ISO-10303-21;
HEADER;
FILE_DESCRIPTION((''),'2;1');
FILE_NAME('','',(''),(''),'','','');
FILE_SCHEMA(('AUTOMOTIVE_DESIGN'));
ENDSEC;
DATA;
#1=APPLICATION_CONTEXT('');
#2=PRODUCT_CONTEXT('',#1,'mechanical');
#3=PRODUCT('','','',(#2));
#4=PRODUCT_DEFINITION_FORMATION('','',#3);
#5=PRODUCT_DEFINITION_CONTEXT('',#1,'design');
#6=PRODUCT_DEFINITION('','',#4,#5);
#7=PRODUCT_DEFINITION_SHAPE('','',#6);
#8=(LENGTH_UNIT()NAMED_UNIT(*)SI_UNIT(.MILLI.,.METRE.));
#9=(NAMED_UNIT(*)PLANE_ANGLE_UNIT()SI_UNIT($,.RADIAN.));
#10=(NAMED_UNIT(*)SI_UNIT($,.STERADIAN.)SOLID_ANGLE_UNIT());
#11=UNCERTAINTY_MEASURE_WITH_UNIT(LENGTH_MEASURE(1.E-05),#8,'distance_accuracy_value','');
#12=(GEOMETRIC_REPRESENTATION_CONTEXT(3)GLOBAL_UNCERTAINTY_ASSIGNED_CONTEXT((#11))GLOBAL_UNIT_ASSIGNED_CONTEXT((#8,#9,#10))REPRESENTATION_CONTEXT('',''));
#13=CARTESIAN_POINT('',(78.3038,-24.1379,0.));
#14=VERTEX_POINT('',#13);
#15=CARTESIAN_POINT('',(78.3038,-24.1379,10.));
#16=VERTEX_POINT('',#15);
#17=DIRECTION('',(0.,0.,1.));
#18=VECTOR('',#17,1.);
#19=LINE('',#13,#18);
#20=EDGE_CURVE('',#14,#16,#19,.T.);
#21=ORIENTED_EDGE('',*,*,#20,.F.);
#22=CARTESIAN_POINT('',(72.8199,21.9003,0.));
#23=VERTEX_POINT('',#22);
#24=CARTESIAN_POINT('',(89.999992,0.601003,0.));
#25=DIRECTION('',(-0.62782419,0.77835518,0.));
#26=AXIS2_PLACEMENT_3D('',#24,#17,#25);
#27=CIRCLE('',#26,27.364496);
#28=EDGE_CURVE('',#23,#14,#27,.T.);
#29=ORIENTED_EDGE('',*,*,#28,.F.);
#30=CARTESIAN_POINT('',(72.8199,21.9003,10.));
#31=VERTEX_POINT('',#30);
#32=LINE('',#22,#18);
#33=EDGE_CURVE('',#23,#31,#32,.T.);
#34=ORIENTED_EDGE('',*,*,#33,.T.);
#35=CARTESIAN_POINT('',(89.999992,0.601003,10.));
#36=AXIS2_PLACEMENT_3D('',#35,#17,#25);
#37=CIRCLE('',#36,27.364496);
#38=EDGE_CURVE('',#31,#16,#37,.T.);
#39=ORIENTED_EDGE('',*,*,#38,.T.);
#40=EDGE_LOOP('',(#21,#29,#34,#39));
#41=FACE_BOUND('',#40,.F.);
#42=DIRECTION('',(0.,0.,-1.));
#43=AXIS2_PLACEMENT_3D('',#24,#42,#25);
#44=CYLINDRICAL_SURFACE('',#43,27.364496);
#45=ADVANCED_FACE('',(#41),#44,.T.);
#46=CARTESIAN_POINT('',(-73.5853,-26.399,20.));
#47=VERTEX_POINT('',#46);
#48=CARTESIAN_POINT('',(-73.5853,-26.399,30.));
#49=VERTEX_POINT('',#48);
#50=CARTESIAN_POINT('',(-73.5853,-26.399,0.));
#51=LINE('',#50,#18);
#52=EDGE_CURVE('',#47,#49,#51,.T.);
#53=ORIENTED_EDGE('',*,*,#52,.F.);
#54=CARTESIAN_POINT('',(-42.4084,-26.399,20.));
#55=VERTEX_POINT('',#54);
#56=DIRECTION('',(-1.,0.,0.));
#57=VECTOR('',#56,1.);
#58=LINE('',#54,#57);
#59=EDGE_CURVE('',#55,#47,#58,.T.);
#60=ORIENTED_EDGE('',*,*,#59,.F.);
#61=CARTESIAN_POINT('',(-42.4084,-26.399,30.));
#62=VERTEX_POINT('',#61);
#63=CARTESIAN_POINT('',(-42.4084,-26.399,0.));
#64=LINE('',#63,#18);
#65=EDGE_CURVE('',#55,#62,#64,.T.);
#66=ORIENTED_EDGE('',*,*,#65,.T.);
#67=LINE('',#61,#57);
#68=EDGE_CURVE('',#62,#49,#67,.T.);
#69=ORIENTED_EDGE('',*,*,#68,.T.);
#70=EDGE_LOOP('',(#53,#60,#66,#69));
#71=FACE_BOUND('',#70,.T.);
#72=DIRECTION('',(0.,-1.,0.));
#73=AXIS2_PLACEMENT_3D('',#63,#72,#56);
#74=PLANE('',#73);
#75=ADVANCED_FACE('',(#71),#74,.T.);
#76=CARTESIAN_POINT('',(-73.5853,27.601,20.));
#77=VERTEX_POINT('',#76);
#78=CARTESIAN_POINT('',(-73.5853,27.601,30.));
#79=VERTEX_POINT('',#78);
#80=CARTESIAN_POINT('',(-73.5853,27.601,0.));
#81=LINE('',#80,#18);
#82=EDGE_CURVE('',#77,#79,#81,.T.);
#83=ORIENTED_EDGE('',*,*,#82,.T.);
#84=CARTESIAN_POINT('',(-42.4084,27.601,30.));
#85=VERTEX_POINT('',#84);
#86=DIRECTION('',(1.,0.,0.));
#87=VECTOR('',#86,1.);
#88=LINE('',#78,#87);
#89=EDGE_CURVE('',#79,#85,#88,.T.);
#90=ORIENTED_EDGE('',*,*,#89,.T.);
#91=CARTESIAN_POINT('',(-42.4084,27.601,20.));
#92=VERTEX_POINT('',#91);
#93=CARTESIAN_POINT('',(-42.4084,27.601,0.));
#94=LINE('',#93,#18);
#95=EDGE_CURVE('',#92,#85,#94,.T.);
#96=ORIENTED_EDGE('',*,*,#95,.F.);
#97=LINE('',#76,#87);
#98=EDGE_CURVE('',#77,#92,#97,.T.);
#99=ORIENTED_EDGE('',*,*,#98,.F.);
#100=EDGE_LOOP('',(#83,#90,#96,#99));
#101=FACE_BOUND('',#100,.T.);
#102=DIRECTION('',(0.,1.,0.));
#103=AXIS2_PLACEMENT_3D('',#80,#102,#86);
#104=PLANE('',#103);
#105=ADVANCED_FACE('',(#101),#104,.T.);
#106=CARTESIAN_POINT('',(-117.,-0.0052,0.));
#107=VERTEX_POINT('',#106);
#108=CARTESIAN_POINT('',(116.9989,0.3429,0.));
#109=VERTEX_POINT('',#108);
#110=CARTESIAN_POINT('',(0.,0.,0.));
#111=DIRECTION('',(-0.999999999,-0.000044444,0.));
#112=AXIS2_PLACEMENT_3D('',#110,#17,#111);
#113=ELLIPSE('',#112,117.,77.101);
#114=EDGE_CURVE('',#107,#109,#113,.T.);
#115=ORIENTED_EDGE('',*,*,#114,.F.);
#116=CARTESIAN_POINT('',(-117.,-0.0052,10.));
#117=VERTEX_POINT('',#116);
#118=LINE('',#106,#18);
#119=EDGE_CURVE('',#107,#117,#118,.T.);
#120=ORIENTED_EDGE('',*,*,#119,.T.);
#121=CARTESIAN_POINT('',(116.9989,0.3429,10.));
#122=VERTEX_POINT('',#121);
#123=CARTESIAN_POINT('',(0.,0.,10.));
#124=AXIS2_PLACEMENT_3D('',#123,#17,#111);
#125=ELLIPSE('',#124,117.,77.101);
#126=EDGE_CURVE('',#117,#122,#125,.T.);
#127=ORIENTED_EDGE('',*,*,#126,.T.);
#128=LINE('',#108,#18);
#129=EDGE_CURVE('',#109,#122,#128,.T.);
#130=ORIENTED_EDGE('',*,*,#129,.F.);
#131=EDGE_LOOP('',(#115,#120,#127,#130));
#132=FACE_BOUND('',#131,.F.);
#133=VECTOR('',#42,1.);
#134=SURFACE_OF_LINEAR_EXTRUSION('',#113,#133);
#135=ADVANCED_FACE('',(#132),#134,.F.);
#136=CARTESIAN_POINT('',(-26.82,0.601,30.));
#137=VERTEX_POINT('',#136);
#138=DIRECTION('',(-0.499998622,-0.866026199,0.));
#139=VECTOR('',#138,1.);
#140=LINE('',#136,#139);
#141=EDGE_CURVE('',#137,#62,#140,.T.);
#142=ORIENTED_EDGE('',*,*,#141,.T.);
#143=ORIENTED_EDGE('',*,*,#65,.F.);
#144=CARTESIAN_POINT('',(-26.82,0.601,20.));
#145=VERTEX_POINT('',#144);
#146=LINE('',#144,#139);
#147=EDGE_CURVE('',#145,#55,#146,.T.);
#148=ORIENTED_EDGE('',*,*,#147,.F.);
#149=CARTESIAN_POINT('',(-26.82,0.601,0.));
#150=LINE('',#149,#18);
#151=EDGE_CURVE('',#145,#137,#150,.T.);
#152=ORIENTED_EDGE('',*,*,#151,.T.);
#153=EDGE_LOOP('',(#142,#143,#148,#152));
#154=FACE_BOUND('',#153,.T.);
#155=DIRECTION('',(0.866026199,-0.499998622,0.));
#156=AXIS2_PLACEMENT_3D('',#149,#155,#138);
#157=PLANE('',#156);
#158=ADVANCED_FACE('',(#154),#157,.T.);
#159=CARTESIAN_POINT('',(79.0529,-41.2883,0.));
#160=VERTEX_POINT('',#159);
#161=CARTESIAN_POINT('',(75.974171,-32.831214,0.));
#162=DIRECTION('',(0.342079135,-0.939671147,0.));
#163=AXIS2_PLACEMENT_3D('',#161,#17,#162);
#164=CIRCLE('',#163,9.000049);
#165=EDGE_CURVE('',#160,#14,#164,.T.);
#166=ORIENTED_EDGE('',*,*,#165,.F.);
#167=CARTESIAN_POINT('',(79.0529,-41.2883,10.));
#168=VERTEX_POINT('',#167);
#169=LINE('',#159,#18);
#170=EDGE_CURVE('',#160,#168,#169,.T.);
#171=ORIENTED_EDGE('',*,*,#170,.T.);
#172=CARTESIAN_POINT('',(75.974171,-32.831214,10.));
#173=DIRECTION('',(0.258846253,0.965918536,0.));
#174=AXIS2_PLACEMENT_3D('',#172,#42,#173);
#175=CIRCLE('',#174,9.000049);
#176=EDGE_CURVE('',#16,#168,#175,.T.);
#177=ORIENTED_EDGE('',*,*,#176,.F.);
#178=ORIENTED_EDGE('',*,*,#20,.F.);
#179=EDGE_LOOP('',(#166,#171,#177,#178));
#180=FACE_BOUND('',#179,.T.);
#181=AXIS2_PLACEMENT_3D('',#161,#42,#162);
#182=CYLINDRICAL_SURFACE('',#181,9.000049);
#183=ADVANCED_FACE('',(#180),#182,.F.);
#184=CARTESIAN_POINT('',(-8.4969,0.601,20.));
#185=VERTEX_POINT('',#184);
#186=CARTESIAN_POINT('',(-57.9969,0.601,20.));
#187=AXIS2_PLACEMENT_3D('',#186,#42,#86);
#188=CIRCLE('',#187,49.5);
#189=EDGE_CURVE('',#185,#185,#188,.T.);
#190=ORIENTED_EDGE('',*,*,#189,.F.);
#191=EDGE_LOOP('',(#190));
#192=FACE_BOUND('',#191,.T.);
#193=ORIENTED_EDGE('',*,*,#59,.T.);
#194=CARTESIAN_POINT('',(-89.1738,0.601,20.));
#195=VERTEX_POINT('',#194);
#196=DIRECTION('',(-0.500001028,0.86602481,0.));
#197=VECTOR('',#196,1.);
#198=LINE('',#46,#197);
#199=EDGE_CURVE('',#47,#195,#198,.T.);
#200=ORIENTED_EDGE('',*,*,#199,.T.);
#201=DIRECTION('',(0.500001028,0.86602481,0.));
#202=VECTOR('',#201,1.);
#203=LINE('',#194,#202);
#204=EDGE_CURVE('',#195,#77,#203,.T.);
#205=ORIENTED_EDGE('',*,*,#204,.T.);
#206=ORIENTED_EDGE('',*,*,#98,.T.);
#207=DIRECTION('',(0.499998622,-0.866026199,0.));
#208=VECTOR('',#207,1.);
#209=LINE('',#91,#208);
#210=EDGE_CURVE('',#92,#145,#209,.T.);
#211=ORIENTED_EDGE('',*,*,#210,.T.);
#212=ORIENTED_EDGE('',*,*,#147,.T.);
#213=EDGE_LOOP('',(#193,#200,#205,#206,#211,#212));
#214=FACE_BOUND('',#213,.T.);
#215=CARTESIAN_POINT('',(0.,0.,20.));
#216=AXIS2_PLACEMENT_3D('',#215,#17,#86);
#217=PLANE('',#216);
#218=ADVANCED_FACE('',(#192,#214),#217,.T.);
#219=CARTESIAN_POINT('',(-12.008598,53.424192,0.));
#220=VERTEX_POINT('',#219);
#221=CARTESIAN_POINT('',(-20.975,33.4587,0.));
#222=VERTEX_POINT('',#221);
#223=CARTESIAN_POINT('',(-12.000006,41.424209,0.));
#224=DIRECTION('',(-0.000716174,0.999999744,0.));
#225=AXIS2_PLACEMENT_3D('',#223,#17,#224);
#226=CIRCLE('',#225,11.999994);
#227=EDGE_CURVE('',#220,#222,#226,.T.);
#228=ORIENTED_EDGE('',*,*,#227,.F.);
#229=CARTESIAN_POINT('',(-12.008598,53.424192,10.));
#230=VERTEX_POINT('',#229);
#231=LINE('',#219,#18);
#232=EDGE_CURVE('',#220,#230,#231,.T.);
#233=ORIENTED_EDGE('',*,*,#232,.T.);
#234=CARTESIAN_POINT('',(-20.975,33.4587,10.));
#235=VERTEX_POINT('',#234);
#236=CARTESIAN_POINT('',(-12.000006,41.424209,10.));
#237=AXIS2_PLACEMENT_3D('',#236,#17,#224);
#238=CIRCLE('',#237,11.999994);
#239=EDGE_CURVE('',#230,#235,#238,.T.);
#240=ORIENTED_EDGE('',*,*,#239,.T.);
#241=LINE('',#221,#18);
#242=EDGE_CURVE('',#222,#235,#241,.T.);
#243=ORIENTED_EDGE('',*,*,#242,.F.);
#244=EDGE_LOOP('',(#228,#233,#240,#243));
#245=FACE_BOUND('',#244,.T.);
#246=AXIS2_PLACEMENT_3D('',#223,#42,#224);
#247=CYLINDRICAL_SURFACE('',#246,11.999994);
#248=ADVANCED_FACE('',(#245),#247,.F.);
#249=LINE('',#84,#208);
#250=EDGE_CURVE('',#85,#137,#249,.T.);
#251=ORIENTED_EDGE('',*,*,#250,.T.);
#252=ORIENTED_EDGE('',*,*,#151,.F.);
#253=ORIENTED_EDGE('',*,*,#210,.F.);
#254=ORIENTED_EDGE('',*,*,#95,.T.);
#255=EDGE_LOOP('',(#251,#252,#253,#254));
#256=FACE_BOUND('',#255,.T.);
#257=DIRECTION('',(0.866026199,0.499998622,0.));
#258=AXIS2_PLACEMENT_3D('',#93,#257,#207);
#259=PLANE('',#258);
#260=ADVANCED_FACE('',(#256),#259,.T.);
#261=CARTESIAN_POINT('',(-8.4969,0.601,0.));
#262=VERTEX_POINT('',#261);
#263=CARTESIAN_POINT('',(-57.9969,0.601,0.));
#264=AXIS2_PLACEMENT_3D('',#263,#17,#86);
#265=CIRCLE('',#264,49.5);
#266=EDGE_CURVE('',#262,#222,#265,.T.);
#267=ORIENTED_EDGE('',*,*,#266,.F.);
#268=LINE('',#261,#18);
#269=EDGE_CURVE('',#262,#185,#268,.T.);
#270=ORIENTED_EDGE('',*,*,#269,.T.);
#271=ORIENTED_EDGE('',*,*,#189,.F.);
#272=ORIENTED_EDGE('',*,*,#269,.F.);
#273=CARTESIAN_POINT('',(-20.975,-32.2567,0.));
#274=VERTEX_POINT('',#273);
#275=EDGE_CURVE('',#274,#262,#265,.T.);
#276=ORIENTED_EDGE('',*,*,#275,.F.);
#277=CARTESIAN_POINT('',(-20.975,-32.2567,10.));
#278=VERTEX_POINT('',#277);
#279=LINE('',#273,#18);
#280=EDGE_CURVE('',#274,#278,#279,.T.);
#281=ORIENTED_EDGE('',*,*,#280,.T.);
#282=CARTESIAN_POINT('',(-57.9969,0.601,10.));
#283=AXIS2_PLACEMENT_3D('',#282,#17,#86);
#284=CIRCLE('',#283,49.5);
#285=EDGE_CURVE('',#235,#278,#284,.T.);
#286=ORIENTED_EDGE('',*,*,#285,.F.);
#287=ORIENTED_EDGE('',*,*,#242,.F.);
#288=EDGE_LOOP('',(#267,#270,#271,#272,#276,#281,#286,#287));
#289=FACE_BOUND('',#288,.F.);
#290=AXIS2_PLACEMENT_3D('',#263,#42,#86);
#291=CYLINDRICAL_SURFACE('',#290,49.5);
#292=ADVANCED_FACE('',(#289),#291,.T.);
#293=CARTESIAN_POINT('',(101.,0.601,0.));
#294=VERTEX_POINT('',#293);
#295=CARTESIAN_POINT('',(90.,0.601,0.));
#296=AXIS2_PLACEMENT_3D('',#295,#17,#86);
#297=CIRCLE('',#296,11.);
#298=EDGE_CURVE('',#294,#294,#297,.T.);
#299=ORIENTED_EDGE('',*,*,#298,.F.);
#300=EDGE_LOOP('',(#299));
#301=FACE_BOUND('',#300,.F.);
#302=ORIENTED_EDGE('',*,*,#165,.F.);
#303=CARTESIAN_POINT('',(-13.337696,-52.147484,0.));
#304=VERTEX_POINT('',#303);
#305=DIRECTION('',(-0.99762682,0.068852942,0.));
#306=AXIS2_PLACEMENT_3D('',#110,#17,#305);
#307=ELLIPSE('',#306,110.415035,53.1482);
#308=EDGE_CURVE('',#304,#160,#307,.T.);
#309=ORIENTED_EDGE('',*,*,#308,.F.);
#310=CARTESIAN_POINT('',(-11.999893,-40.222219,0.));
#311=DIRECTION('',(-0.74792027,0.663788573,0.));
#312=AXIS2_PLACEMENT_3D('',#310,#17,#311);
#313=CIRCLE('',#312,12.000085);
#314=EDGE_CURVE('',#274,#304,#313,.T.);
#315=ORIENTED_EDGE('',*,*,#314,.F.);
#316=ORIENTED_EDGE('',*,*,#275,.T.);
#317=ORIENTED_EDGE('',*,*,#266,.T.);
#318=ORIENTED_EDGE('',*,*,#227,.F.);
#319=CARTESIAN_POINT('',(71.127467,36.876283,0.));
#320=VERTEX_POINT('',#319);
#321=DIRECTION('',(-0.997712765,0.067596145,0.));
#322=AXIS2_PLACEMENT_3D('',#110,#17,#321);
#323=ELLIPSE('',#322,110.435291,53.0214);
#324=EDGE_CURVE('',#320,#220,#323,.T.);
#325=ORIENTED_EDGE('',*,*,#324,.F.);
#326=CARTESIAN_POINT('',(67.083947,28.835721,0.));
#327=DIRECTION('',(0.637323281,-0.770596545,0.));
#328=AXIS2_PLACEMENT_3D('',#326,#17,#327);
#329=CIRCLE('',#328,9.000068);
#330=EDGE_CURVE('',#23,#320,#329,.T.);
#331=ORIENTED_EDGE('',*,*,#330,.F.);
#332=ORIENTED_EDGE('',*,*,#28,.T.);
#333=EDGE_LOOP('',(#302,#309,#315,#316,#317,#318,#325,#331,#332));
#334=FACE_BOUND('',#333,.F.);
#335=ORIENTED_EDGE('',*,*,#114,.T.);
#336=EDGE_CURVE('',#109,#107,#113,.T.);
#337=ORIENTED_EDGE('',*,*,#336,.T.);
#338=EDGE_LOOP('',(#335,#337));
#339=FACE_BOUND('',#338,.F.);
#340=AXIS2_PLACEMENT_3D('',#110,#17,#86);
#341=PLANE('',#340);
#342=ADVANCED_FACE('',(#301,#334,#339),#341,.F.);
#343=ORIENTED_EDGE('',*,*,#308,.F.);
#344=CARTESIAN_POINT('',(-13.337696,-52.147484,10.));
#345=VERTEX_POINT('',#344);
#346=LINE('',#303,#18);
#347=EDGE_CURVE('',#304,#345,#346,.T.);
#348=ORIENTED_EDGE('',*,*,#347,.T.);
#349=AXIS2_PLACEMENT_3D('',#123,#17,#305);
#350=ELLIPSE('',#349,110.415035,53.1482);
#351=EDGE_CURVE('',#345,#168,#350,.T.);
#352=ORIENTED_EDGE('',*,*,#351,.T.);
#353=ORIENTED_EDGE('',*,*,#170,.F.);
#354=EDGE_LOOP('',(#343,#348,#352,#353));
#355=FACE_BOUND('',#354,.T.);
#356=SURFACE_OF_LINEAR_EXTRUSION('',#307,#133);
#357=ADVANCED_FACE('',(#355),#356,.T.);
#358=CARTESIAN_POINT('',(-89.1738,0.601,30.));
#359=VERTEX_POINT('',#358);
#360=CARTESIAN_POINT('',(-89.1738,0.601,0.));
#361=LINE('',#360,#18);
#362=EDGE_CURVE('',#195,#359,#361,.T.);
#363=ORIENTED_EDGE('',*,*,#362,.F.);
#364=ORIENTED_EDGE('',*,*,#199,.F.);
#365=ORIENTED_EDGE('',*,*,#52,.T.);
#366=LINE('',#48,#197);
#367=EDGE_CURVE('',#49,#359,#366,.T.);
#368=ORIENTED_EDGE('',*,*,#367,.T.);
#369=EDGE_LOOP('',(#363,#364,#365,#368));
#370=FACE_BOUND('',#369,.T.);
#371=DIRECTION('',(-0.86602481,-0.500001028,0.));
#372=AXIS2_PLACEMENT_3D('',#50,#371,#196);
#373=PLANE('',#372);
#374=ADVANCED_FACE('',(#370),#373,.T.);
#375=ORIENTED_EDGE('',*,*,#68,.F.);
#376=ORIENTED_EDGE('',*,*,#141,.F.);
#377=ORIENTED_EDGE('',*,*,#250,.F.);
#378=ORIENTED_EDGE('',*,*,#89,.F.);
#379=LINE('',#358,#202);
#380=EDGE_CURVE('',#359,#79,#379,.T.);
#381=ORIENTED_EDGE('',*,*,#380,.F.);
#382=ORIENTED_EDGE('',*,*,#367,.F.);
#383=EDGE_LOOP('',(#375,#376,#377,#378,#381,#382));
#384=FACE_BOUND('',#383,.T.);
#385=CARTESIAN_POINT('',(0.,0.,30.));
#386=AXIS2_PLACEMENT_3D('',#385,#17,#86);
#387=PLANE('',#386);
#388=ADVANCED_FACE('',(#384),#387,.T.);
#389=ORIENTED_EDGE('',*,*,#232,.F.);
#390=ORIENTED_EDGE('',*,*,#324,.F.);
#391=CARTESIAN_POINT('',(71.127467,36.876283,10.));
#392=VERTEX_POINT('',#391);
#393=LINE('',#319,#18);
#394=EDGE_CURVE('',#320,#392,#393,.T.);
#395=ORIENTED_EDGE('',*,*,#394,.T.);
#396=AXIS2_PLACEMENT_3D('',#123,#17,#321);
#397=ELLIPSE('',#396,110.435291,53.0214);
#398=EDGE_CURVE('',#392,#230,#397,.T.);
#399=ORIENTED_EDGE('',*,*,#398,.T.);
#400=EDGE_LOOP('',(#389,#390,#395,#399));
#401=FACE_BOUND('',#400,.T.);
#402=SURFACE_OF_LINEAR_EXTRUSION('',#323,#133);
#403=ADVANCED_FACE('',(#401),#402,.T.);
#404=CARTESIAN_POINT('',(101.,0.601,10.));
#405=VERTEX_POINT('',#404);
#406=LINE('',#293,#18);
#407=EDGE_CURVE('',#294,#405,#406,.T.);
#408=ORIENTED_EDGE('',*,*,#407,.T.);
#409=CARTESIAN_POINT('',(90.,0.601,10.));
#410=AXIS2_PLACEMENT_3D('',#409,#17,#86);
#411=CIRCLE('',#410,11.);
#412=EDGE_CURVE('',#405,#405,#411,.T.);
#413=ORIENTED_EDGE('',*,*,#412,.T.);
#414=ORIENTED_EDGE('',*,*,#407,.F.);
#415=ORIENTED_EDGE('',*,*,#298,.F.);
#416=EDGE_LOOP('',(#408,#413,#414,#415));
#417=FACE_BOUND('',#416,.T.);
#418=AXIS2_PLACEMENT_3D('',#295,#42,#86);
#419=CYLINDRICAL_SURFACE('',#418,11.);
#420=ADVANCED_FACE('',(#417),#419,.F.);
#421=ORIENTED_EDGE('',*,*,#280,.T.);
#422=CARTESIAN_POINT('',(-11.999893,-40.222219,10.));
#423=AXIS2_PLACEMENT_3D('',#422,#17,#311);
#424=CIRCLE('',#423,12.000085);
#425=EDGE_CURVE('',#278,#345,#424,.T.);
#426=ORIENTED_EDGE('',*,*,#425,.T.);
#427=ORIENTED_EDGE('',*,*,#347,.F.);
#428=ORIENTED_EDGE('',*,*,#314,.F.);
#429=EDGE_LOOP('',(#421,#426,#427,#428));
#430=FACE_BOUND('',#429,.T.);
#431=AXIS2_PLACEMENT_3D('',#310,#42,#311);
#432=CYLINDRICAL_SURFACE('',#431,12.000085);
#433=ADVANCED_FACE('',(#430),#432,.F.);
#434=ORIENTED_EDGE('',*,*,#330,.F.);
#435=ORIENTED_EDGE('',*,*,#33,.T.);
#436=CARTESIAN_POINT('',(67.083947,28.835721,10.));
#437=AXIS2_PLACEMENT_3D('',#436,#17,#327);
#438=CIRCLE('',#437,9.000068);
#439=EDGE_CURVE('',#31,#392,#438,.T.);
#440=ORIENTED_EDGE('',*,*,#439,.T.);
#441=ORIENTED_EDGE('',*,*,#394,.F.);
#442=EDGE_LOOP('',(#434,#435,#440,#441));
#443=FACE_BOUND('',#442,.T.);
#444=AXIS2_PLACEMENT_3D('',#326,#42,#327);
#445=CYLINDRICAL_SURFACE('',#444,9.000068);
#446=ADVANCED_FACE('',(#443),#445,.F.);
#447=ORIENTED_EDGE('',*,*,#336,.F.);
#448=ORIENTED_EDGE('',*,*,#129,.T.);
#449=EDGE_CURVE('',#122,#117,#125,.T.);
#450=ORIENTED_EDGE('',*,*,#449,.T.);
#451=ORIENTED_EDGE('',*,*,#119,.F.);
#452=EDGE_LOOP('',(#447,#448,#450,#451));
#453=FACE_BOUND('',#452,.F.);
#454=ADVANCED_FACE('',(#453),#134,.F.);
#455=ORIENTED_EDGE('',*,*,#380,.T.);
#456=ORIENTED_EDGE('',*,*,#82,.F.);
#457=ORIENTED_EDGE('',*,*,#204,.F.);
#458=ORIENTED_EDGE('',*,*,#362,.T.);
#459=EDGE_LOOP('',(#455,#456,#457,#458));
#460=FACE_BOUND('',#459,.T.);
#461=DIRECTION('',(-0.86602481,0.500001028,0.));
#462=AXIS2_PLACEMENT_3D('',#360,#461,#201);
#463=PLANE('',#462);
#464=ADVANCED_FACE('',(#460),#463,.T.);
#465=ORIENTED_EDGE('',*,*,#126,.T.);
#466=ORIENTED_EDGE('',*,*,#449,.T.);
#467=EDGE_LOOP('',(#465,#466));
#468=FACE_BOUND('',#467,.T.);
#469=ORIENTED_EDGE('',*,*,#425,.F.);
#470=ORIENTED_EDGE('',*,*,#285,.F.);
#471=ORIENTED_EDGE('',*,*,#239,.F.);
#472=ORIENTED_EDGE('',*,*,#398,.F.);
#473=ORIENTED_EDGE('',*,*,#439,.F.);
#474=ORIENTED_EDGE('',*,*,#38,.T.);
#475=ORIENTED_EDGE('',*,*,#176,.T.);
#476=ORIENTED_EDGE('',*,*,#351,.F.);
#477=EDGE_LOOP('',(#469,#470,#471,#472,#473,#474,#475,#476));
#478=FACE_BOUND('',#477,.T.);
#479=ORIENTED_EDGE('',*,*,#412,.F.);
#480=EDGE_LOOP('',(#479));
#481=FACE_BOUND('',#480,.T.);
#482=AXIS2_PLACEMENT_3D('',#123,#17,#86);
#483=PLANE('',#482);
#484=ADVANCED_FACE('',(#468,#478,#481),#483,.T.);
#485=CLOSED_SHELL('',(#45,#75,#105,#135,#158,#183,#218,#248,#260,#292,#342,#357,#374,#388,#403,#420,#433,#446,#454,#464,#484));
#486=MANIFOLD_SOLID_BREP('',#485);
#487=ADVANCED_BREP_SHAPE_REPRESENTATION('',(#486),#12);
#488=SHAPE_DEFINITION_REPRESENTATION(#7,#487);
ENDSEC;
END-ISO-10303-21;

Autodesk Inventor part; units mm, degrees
ref_plane "YZ Plane" through (0, 0, 0) normal (1, 0, 0) x (0, 1, 0)
ref_plane "XZ Plane" through (0, 0, 0) normal (0, 1, 0) x (-1, 0, 0)
ref_plane "XY Plane" through (0, 0, 0) normal (0, 0, 1) x (1, 0, 0)
sketch "스케치1" plane through (0, 0, 0) normal (0, 0, 1) x (1, 0, 0)
  point P0 (0, 0)
sketch "스케치2" plane through (0, 0, 0) normal (0, 0, 1) x (1, 0, 0)
  line L0 (-99.4603, 0.601) -> (134.5397, 0.601) construction
  circle A0 centre (-57.9969, 0.601) radius 49.5
  circle A1 centre (90, 0.601) radius 11
  line L1 (-73.5853, 27.601) -> (-42.4084, 27.601)
  line L2 (-42.4084, 27.601) -> (-26.82, 0.601)
  line L3 (-26.82, 0.601) -> (-42.4084, -26.399)
  line L4 (-42.4084, -26.399) -> (-73.5853, -26.399)
  line L5 (-73.5853, -26.399) -> (-89.1738, 0.601)
  line L6 (-89.1738, 0.601) -> (-73.5853, 27.601)
  line L7 (-58.042, 84.9456) -> (-58.042, -105.8358) construction
  line L8 (89.9996, 81.1974) -> (89.9996, -76.9686) construction
  arc A2 (-20.975, -32.2567) -> (-13.3377, -52.1475) centre (-12, -40.2222) ccw
  arc A3 (79.0529, -41.2883) -> (78.3038, -24.1379) centre (75.9743, -32.8313) ccw
  arc A4 (72.8199, 21.9003) -> (71.1275, 36.8763) centre (67.084, 28.8357) ccw
  ellipse E0 centre (0, 0) end of major axis (-117, -0.0052) minor radius 77.101
  line L9 (117, 66.3742) -> (117, -80.3168) construction
  line L10 (-78.2443, 77.101) -> (89.9996, 77.101) construction
  line L11 (0, 100.1745) -> (0, -148.4389) construction
  arc A5 (-12.0086, 53.4242) -> (-20.975, 33.4587) centre (-12, 41.4242) ccw
  ellipse E1 centre (0, 0) end of major axis (-110.153, 7.6024) minor radius 53.1482 (-13.3377, -52.1475) -> (80.2954, -40.7261) ccw
  ellipse E2 centre (0, 0) end of major axis (-110.1827, 7.465) minor radius 53.0214 (71.1275, 36.8763) -> (-12.0086, 53.4242) ccw
  arc A6 (116.9989, 0.3429) -> (117, 0.6731) centre (90, 0.601) ccw
  arc A7 (72.8199, 21.9003) -> (80.5446, -25.078) centre (90, 0.601) ccw
  point P0 (0, 52.7518)
  point P1 (0, 52.7518)
  point P2 (0, 52.7518)
  point P3 (0, 52.7518)
  point P4 (0, 52.7518)
  point P5 (0, 52.7518)
  point P6 (0, 52.7518)
  point P7 (0, 52.7518)
  point P8 (0, 52.7518)
  point P9 (0, 52.7518)
  point P10 (0, 52.7518)
  point P11 (0, 52.7518)
  point P12 (0, 77.101)
  point P13 (0, 52.7518)
  point P14 (0, -77.101)
  point P15 (0, -52.7518)
  point P16 (0, -52.7518)
  point P17 (0, -77.101)
  point P18 (0, -52.7518)
  point P19 (0, -52.7518)
  point P20 (0, -52.7518)
  point P21 (32.4105, -49.2482)
  point P22 (0, -52.7518)
  point P23 (0, -52.7518)
  point P24 (0, -53.101)
  point P25 (0, -77.101)
  dimension "d3" = 99
  dimension "d4" = 58
  dimension "d5" = 22
  dimension "d6" = 54
  dimension "d7" = 90
  dimension "d9" = 24
  dimension "d11" = 18
  dimension "d12" = 18
  dimension "d14" = 76.5
  dimension "d16" = 117
  dimension "d18" = 24
  dimension "d21" = 24
extrude "돌출1" add sketch "스케치2" along normal blind 10 contours E0
extrude "돌출2" add sketch "스케치2" along normal blind 20 contours A0
extrude "돌출3" add sketch "스케치2" along normal blind 30 contours L1 L2 L3 L4 L5 L6
properties part number "스케치03"
